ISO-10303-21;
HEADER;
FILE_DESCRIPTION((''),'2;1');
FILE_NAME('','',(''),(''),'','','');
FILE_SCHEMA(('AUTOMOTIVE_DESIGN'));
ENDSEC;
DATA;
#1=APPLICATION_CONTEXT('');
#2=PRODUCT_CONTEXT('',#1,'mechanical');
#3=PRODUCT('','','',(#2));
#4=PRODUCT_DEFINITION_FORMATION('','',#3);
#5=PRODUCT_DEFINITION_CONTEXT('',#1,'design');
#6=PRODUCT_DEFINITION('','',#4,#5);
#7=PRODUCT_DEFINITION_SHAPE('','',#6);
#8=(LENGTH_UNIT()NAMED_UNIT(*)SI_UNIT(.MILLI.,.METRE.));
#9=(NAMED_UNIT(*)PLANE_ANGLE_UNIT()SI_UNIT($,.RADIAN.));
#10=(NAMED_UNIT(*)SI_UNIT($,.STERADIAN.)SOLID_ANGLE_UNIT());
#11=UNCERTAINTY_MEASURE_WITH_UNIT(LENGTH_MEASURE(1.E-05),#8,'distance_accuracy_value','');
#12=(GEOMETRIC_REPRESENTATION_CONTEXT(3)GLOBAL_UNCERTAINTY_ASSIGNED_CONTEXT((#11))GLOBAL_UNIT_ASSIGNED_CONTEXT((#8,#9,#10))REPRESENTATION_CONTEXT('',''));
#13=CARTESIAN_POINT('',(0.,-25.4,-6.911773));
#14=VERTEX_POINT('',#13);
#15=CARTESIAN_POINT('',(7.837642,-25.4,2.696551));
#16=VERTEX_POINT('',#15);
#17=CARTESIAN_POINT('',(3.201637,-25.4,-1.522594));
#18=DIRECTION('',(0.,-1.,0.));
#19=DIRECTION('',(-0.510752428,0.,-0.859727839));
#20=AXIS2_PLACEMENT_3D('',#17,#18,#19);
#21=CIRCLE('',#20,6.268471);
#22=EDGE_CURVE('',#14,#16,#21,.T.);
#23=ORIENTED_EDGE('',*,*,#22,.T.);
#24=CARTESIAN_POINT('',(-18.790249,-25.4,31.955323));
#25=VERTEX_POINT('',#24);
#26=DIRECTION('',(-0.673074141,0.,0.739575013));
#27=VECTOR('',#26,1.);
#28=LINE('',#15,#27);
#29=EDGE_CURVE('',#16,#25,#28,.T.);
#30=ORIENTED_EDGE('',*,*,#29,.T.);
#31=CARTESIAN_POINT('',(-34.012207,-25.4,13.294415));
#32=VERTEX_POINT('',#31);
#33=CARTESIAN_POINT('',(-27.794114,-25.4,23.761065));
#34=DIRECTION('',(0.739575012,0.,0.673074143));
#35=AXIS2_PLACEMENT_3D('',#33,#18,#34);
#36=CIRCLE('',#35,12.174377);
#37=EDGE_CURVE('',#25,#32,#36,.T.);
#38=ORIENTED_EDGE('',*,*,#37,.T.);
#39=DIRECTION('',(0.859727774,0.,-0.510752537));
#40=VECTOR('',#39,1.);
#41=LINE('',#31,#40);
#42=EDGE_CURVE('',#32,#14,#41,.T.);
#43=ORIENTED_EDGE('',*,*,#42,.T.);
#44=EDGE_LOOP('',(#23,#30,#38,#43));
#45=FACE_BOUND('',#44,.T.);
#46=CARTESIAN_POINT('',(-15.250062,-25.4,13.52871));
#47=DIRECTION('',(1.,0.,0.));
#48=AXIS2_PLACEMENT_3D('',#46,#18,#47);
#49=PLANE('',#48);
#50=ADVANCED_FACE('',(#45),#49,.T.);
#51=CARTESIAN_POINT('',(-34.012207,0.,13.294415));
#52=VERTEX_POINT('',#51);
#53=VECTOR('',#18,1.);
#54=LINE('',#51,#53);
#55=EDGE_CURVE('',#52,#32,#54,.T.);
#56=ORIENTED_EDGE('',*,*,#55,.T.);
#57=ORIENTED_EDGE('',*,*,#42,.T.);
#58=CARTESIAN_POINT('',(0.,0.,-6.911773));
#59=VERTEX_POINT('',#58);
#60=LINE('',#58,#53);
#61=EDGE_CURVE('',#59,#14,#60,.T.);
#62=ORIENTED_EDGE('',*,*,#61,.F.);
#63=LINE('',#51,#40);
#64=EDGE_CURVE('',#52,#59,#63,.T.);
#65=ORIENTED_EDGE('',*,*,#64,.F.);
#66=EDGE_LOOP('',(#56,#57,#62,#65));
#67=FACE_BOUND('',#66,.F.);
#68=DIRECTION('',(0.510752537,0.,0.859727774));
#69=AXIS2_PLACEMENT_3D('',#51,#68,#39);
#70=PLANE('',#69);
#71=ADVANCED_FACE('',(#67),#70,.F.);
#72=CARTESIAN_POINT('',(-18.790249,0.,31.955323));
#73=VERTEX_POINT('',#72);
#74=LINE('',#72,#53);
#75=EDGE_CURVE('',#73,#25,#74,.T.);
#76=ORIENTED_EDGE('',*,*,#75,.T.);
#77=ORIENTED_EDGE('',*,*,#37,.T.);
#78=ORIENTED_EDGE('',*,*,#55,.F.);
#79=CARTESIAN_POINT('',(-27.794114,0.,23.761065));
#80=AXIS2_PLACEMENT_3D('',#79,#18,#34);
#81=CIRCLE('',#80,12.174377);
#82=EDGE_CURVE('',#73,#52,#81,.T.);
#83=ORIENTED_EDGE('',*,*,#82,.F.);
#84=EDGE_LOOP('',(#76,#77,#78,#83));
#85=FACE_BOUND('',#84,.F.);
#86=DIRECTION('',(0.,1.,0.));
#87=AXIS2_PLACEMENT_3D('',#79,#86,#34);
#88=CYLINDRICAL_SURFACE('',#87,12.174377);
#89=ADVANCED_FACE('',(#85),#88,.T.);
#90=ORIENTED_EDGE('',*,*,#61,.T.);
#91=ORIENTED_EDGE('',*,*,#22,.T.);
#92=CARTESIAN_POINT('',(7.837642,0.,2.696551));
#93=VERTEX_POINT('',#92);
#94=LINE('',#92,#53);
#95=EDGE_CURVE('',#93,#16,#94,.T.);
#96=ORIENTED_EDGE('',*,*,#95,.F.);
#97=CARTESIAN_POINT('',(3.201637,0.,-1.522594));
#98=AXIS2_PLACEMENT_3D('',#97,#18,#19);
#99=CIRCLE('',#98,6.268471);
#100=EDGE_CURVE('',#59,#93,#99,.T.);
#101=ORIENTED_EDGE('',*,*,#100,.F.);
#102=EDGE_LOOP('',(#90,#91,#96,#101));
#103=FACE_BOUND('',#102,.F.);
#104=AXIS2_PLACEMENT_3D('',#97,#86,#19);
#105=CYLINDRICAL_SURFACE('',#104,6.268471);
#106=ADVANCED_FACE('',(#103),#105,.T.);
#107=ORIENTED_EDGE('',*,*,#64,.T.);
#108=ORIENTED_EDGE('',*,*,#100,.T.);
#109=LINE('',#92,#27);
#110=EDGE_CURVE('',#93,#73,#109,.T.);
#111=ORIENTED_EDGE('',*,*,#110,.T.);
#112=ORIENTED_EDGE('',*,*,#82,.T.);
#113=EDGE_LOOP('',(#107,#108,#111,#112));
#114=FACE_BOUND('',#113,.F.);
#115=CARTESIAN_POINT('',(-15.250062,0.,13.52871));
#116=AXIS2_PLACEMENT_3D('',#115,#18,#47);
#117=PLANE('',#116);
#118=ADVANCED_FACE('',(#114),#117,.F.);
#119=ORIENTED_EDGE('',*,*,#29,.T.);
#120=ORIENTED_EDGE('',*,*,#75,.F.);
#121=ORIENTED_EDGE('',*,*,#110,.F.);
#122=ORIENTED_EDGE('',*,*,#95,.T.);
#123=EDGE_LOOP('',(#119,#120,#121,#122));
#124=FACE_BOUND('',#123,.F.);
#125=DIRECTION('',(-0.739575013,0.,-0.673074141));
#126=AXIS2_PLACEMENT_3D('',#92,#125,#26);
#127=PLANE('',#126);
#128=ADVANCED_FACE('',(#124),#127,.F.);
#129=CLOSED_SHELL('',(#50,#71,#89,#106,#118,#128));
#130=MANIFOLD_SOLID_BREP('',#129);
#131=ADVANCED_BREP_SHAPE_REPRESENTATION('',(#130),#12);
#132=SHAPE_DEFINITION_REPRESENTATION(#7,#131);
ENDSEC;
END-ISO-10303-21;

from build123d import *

# Parameters (mm, degrees)
F1_DEPTH = 25.4


with BuildPart() as f1:
    # F0 (on Front) → F1 (new body)
    with BuildSketch(Plane.XZ):
        with BuildLine():
            Line((7.837642, 2.696551), (-18.790249, 31.955323))
            ThreePointArc((-18.790249, 31.955323), (-37.227962, 31.456385), (-34.012207, 13.294415))
            Line((-34.012207, 13.294415), (0, -6.911773))
            ThreePointArc((0, -6.911773), (8.059036, -5.484841), (7.837642, 2.696551))
        make_face()
    extrude(amount=F1_DEPTH)


solid = f1.part
